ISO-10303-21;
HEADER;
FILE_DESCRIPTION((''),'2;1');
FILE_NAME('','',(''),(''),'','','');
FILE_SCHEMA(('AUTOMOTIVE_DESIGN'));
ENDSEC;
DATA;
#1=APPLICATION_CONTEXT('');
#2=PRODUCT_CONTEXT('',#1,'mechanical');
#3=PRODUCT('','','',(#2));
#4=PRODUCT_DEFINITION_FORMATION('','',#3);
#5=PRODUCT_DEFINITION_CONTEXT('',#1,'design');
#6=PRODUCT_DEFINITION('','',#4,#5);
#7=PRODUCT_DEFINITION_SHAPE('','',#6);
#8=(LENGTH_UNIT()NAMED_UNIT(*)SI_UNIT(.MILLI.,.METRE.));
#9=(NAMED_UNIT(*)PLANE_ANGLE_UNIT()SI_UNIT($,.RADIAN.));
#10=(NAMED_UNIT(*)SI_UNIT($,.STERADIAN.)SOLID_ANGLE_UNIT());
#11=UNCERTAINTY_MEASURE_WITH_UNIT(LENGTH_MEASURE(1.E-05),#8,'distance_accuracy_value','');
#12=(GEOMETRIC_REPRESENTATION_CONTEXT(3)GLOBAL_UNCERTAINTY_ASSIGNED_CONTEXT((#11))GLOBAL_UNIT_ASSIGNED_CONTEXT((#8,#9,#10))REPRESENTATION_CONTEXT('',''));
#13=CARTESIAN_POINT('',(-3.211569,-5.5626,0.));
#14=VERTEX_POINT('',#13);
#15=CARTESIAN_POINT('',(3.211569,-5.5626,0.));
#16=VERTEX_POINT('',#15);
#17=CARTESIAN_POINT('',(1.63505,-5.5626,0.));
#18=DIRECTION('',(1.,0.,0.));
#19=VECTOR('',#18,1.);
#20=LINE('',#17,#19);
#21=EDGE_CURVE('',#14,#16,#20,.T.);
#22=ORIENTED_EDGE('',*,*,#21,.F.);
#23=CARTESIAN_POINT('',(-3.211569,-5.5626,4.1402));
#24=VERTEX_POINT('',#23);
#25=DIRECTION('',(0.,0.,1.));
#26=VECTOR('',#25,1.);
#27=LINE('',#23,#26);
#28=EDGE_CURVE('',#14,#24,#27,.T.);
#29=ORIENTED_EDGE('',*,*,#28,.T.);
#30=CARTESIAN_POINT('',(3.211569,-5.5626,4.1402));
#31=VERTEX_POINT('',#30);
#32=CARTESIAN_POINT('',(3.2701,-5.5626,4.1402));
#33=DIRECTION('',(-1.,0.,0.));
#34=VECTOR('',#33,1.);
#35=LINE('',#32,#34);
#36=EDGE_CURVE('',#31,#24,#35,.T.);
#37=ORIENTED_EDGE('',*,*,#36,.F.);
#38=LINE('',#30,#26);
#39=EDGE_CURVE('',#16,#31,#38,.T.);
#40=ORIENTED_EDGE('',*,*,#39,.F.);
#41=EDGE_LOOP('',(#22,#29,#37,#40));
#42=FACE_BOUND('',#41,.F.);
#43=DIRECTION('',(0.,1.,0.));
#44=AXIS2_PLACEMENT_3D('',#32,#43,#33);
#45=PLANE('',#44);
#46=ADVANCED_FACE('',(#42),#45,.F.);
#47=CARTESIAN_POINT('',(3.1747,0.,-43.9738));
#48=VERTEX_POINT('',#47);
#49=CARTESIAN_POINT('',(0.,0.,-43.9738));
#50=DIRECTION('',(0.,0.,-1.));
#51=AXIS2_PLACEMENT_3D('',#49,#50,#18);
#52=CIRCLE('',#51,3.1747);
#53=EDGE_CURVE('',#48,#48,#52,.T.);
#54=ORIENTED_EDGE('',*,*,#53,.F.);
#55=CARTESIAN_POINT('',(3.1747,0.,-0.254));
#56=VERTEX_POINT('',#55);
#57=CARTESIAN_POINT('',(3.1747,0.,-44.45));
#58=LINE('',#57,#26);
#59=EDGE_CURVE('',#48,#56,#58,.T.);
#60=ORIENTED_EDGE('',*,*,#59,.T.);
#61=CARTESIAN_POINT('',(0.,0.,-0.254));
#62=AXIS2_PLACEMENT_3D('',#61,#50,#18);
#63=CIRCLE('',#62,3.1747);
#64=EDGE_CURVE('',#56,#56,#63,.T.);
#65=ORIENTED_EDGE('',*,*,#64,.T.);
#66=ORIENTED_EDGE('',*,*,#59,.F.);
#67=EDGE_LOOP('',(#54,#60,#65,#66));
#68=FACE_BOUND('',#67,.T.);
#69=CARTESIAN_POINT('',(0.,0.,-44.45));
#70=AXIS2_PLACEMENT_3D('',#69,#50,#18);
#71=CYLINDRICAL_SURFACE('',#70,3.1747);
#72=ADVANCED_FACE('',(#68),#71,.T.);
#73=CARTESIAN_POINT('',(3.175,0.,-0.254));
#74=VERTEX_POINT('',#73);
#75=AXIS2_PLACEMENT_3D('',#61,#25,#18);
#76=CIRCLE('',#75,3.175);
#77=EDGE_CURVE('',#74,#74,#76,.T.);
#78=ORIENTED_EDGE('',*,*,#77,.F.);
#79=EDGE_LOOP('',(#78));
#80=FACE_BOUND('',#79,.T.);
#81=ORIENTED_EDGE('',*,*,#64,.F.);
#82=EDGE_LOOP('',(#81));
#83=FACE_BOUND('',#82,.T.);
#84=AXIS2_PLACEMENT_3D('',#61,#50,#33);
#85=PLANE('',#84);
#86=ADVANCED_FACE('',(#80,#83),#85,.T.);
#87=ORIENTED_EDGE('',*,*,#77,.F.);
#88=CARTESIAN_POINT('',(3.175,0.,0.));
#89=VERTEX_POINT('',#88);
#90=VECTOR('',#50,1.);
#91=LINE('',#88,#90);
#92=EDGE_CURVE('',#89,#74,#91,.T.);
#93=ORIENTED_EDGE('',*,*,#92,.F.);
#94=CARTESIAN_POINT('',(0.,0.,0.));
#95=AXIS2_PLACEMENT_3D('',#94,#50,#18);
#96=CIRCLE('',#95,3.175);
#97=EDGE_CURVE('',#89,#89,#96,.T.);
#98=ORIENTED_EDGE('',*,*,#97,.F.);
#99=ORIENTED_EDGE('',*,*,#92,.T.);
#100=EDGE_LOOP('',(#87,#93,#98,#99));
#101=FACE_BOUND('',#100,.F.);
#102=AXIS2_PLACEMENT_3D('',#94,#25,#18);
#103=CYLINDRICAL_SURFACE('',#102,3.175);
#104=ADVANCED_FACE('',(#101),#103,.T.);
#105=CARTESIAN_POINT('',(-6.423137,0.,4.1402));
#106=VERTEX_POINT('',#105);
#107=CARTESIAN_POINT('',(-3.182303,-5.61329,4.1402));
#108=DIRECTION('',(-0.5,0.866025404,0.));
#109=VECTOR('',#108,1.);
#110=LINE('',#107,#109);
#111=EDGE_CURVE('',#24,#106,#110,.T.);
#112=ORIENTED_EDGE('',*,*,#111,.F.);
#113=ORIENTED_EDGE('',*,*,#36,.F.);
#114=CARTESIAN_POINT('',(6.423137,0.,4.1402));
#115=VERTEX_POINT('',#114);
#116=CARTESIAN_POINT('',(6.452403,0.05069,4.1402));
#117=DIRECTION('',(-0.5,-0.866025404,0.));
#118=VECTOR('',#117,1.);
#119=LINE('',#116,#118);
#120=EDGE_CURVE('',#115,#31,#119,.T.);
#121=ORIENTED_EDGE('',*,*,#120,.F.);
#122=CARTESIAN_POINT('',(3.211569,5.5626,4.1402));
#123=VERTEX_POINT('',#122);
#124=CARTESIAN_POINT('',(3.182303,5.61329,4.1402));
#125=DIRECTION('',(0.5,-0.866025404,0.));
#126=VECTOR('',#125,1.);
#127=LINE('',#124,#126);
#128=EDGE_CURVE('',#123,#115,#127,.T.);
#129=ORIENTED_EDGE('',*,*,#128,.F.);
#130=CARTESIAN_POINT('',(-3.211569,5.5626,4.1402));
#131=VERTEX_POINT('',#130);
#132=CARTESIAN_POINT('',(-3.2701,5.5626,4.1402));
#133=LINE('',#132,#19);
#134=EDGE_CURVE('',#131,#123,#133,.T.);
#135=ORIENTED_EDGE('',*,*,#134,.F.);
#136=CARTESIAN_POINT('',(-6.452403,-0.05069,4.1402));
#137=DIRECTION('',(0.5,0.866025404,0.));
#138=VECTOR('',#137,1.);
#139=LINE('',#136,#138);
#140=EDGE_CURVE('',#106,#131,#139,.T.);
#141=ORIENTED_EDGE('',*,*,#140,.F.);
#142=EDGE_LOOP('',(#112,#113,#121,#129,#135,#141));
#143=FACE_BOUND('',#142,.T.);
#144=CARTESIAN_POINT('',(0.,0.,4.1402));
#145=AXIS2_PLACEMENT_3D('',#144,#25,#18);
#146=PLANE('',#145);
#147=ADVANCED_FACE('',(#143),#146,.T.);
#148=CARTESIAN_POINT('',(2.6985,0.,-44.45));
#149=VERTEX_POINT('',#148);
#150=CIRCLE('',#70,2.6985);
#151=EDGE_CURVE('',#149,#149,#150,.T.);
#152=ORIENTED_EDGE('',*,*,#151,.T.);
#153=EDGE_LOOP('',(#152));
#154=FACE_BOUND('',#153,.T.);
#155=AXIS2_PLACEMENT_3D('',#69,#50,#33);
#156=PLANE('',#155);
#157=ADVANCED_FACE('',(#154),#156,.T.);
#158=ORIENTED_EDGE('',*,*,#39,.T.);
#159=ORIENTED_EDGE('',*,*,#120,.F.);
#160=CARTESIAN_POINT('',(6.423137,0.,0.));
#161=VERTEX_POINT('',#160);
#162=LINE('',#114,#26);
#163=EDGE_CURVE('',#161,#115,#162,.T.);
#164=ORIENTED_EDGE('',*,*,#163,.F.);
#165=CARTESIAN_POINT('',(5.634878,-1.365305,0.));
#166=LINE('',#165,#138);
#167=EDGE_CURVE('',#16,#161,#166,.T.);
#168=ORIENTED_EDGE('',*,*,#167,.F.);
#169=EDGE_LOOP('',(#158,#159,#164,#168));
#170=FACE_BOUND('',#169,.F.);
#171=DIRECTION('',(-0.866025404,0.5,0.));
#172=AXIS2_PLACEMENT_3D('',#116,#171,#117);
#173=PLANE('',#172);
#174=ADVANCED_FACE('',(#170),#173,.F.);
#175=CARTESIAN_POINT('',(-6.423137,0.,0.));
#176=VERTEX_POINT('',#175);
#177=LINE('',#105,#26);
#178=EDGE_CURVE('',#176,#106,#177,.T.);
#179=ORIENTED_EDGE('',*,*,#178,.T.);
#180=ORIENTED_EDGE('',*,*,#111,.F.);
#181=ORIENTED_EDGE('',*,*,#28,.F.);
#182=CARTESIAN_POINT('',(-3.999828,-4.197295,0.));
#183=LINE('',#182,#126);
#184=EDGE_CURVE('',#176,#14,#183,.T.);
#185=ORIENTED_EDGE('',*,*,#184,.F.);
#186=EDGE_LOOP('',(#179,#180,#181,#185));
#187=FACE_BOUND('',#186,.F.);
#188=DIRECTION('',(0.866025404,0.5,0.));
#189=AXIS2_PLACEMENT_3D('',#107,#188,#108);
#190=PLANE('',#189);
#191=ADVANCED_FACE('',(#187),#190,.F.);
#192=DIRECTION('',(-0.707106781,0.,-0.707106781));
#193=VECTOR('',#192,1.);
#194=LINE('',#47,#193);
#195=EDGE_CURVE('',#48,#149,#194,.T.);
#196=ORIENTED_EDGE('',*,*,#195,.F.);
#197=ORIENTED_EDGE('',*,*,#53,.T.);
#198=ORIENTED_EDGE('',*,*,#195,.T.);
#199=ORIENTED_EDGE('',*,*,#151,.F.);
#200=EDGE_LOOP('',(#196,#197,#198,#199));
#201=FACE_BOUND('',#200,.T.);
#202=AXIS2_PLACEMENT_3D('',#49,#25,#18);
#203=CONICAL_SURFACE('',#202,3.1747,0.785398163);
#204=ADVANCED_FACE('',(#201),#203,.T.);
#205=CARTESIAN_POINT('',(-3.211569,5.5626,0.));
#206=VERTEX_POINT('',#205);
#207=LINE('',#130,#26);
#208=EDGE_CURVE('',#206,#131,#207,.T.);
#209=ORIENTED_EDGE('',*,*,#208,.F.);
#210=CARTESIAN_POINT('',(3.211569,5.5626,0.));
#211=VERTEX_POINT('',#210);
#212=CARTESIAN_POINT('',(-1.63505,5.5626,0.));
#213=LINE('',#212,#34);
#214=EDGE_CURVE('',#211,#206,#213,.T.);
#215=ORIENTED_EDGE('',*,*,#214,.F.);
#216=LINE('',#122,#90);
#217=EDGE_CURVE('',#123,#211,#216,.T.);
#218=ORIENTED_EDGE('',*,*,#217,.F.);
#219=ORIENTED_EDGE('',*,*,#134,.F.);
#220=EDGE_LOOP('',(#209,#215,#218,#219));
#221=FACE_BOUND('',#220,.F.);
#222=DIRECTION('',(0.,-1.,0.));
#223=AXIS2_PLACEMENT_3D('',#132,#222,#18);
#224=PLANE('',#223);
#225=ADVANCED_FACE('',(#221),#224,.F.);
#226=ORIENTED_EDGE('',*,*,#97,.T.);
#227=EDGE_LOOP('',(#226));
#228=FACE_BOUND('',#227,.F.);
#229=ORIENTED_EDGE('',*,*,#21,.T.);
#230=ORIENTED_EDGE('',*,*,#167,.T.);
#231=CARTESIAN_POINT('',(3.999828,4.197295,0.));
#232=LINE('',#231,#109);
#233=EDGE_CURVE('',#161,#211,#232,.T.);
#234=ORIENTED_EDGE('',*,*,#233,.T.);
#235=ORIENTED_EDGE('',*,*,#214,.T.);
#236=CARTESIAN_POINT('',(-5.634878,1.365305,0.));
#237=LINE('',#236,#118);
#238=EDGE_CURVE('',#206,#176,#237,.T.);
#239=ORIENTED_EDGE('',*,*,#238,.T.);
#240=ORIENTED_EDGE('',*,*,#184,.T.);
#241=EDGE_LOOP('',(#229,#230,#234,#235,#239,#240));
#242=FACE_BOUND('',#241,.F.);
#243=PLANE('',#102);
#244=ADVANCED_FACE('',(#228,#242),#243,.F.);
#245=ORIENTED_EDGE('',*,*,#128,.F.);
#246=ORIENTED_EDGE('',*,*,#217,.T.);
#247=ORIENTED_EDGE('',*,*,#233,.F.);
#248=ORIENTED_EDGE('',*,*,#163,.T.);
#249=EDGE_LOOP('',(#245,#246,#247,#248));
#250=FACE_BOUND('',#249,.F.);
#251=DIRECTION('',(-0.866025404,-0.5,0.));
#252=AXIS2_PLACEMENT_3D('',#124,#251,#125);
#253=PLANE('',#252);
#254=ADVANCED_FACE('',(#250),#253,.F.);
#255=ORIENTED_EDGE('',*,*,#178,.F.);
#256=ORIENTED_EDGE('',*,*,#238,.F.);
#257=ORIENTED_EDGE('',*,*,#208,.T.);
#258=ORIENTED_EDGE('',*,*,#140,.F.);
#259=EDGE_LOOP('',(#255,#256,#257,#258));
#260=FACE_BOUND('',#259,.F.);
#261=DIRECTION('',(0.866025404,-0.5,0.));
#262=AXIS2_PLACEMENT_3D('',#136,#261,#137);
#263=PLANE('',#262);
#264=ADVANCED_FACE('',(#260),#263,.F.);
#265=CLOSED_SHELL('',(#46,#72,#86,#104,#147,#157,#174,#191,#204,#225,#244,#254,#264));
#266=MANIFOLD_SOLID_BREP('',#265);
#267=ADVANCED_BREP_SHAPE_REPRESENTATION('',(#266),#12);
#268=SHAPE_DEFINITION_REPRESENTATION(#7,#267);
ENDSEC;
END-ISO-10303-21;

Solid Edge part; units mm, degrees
sketch "Sketch1" plane through (0, 0, 0) normal (0, 0, 1) x (1, 0, 0)
  circle A0 centre (0, 0) radius 6.4526
  dimension "D1" = 12.9052
extrude "Protrusion1" add sketch "Sketch1" along normal blind 4.1402
sketch "Sketch2" plane through (0, 0, 0) normal (0, 0, -1) x (1, 0, 0)
  circle A0 centre (0, 0) radius 3.175
extrude "Protrusion2" add sketch "Sketch2" along normal blind 44.45
sketch "Sketch3" plane through (0, 0, -44.45) normal (0, 0, -1) x (1, 0, 0)
  circle A0 centre (0, 0) radius 3.1747
extrude "Cutout1" cut sketch "Sketch3" against normal blind 44.196 flip side to cut
chamfer "Chamfer_1" distance 0.4762 angle 45 1 edges at (-3.1747, 0, -44.45)
sketch "Sketch4" plane through (0, 0, 4.1402) normal (0, 0, 1) x (1, 0, 0)
  line L0 (-3.2701, 5.5626) -> (3.2701, 5.5626)
  dimension "D1" = 11.1252
extrude "Cutout2" cut sketch "Sketch4" against normal up to next material side at (0, 5.6126, 4.1402)
pattern_circular "Pattern1" count 6 over 360 about axis through (0, 0, 4.1402) along (0, 0, 1) of "Cutout2"
properties part number "161334"
